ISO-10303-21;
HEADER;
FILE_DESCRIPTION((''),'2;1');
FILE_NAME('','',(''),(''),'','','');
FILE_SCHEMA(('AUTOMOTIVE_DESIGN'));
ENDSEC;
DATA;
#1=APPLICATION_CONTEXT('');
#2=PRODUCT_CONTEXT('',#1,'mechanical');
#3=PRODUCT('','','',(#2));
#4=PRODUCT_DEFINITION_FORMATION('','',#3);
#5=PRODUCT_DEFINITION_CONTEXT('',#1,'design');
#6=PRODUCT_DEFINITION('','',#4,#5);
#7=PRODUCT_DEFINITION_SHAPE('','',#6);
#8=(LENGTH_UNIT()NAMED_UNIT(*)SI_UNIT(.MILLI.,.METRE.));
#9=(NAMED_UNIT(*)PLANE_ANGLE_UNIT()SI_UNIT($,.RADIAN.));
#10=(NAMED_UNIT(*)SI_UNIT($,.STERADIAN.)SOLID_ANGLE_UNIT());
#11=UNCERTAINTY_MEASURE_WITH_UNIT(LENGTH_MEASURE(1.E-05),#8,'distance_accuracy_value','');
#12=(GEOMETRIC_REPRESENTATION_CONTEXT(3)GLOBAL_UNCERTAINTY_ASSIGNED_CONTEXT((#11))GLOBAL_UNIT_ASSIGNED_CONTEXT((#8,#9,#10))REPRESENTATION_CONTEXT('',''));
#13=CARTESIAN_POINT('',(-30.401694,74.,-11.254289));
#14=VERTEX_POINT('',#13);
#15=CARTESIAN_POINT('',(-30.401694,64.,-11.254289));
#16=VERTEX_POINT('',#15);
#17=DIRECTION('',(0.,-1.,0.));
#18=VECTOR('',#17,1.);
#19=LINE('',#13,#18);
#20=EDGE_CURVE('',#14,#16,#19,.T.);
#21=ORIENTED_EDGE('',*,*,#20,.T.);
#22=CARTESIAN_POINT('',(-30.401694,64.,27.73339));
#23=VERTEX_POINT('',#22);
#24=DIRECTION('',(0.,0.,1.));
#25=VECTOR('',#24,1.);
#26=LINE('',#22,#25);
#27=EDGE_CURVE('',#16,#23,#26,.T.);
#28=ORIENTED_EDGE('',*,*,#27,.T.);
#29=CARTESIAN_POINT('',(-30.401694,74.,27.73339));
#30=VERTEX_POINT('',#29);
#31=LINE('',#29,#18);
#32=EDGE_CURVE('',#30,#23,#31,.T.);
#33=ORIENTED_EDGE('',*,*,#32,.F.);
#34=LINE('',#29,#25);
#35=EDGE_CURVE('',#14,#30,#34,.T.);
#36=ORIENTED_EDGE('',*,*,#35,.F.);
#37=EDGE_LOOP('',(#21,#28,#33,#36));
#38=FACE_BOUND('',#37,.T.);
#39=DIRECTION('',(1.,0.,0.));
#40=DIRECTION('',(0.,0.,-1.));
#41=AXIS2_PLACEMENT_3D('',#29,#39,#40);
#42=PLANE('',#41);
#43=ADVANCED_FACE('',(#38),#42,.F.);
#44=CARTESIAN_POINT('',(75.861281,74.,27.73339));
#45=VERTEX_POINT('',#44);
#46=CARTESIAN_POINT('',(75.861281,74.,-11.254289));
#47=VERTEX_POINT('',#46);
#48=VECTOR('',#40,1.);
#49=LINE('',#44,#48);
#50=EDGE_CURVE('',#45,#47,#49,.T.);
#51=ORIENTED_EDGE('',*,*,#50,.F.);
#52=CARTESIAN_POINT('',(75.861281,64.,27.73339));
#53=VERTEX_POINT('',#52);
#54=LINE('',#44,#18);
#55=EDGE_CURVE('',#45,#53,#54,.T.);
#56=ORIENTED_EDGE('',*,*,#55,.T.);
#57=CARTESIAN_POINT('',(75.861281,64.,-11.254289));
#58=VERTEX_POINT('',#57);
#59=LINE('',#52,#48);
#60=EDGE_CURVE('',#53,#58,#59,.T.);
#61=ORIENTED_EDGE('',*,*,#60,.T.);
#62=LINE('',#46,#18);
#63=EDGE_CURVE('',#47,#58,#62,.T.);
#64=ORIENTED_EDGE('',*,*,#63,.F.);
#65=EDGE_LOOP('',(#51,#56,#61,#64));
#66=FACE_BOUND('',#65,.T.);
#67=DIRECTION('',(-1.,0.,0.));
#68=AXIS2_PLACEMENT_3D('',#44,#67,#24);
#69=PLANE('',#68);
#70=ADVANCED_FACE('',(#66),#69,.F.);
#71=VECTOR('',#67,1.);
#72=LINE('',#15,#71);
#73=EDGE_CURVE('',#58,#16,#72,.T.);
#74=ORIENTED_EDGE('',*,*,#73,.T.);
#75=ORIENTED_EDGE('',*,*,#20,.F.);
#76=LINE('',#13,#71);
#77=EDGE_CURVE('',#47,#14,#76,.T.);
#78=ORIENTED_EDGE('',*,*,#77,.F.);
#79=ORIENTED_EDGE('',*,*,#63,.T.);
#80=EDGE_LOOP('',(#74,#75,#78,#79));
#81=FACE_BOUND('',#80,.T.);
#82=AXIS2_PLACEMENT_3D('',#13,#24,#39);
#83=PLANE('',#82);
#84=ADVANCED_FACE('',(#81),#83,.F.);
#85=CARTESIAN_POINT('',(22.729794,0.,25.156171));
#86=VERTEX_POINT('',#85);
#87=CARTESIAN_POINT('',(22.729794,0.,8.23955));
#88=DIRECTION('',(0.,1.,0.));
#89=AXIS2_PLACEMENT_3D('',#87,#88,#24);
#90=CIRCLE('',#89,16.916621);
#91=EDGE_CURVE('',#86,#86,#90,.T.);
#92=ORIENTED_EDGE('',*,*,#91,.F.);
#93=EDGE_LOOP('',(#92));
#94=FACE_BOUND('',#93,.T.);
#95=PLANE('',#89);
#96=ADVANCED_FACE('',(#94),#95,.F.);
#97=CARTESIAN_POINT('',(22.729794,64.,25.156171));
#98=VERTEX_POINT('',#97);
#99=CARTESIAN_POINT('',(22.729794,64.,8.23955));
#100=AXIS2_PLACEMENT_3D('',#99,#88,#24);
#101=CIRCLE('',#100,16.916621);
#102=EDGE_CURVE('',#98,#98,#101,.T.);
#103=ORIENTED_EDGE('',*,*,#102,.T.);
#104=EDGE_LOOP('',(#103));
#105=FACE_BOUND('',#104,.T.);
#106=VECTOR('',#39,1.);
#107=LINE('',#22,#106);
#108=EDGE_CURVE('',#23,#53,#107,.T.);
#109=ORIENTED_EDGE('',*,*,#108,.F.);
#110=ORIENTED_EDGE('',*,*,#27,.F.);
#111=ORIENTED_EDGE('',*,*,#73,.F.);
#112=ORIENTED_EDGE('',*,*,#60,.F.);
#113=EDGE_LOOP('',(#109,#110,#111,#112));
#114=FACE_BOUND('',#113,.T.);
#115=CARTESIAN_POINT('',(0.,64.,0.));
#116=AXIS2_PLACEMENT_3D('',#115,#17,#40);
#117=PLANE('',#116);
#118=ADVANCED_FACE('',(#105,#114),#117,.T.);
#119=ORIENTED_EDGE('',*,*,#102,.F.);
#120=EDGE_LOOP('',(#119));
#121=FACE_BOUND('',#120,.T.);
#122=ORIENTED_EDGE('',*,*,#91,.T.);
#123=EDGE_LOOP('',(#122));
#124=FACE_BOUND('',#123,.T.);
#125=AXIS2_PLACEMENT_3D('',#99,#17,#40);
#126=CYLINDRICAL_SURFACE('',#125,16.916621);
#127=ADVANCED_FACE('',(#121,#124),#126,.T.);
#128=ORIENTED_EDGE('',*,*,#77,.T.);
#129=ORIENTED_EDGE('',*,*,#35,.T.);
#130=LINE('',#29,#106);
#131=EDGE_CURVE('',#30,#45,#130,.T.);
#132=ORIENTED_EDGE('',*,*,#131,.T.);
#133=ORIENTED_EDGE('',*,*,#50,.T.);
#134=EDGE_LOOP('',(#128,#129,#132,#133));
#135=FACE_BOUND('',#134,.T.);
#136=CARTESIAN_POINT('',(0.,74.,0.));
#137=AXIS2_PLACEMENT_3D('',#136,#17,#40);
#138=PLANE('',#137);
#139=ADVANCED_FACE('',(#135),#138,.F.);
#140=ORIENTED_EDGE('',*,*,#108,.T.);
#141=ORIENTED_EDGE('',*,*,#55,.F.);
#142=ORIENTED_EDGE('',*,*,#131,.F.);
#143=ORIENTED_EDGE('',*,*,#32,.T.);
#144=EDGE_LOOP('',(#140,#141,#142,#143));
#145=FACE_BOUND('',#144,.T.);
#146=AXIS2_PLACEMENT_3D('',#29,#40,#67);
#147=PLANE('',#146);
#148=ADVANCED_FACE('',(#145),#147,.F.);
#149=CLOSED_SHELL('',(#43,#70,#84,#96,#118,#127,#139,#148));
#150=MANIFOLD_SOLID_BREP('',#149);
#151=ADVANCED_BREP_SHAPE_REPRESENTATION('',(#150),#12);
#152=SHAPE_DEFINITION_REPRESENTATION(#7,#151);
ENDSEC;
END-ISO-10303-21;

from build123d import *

# Parameters (mm, degrees)
SKETCH1_R           = 16.916621232
BOSS_EXTRUDE1_DEPTH = 64
SKETCH2_W           = 106.262974488
SKETCH2_H           = 38.987679284
BOSS_EXTRUDE2_DEPTH = 10


with BuildPart() as part:
    # Sketch1 → Boss-Extrude1 (new body)
    with BuildSketch(Plane(origin=(0, 0, 0), x_dir=(1, 0, 0), z_dir=(0, 1, 0))):
        with Locations((22.72979363, -8.239550191)):
            Circle(SKETCH1_R)
    extrude(amount=BOSS_EXTRUDE1_DEPTH)

    # Sketch2 → Boss-Extrude2 (add)
    with BuildSketch(Plane(origin=(0, 64, 0), x_dir=(1, 0, 0), z_dir=(0, 1, 0))):
        with Locations((22.72979363, -8.239550191)):
            Rectangle(SKETCH2_W, SKETCH2_H)
    extrude(amount=BOSS_EXTRUDE2_DEPTH)


solid = part.part
